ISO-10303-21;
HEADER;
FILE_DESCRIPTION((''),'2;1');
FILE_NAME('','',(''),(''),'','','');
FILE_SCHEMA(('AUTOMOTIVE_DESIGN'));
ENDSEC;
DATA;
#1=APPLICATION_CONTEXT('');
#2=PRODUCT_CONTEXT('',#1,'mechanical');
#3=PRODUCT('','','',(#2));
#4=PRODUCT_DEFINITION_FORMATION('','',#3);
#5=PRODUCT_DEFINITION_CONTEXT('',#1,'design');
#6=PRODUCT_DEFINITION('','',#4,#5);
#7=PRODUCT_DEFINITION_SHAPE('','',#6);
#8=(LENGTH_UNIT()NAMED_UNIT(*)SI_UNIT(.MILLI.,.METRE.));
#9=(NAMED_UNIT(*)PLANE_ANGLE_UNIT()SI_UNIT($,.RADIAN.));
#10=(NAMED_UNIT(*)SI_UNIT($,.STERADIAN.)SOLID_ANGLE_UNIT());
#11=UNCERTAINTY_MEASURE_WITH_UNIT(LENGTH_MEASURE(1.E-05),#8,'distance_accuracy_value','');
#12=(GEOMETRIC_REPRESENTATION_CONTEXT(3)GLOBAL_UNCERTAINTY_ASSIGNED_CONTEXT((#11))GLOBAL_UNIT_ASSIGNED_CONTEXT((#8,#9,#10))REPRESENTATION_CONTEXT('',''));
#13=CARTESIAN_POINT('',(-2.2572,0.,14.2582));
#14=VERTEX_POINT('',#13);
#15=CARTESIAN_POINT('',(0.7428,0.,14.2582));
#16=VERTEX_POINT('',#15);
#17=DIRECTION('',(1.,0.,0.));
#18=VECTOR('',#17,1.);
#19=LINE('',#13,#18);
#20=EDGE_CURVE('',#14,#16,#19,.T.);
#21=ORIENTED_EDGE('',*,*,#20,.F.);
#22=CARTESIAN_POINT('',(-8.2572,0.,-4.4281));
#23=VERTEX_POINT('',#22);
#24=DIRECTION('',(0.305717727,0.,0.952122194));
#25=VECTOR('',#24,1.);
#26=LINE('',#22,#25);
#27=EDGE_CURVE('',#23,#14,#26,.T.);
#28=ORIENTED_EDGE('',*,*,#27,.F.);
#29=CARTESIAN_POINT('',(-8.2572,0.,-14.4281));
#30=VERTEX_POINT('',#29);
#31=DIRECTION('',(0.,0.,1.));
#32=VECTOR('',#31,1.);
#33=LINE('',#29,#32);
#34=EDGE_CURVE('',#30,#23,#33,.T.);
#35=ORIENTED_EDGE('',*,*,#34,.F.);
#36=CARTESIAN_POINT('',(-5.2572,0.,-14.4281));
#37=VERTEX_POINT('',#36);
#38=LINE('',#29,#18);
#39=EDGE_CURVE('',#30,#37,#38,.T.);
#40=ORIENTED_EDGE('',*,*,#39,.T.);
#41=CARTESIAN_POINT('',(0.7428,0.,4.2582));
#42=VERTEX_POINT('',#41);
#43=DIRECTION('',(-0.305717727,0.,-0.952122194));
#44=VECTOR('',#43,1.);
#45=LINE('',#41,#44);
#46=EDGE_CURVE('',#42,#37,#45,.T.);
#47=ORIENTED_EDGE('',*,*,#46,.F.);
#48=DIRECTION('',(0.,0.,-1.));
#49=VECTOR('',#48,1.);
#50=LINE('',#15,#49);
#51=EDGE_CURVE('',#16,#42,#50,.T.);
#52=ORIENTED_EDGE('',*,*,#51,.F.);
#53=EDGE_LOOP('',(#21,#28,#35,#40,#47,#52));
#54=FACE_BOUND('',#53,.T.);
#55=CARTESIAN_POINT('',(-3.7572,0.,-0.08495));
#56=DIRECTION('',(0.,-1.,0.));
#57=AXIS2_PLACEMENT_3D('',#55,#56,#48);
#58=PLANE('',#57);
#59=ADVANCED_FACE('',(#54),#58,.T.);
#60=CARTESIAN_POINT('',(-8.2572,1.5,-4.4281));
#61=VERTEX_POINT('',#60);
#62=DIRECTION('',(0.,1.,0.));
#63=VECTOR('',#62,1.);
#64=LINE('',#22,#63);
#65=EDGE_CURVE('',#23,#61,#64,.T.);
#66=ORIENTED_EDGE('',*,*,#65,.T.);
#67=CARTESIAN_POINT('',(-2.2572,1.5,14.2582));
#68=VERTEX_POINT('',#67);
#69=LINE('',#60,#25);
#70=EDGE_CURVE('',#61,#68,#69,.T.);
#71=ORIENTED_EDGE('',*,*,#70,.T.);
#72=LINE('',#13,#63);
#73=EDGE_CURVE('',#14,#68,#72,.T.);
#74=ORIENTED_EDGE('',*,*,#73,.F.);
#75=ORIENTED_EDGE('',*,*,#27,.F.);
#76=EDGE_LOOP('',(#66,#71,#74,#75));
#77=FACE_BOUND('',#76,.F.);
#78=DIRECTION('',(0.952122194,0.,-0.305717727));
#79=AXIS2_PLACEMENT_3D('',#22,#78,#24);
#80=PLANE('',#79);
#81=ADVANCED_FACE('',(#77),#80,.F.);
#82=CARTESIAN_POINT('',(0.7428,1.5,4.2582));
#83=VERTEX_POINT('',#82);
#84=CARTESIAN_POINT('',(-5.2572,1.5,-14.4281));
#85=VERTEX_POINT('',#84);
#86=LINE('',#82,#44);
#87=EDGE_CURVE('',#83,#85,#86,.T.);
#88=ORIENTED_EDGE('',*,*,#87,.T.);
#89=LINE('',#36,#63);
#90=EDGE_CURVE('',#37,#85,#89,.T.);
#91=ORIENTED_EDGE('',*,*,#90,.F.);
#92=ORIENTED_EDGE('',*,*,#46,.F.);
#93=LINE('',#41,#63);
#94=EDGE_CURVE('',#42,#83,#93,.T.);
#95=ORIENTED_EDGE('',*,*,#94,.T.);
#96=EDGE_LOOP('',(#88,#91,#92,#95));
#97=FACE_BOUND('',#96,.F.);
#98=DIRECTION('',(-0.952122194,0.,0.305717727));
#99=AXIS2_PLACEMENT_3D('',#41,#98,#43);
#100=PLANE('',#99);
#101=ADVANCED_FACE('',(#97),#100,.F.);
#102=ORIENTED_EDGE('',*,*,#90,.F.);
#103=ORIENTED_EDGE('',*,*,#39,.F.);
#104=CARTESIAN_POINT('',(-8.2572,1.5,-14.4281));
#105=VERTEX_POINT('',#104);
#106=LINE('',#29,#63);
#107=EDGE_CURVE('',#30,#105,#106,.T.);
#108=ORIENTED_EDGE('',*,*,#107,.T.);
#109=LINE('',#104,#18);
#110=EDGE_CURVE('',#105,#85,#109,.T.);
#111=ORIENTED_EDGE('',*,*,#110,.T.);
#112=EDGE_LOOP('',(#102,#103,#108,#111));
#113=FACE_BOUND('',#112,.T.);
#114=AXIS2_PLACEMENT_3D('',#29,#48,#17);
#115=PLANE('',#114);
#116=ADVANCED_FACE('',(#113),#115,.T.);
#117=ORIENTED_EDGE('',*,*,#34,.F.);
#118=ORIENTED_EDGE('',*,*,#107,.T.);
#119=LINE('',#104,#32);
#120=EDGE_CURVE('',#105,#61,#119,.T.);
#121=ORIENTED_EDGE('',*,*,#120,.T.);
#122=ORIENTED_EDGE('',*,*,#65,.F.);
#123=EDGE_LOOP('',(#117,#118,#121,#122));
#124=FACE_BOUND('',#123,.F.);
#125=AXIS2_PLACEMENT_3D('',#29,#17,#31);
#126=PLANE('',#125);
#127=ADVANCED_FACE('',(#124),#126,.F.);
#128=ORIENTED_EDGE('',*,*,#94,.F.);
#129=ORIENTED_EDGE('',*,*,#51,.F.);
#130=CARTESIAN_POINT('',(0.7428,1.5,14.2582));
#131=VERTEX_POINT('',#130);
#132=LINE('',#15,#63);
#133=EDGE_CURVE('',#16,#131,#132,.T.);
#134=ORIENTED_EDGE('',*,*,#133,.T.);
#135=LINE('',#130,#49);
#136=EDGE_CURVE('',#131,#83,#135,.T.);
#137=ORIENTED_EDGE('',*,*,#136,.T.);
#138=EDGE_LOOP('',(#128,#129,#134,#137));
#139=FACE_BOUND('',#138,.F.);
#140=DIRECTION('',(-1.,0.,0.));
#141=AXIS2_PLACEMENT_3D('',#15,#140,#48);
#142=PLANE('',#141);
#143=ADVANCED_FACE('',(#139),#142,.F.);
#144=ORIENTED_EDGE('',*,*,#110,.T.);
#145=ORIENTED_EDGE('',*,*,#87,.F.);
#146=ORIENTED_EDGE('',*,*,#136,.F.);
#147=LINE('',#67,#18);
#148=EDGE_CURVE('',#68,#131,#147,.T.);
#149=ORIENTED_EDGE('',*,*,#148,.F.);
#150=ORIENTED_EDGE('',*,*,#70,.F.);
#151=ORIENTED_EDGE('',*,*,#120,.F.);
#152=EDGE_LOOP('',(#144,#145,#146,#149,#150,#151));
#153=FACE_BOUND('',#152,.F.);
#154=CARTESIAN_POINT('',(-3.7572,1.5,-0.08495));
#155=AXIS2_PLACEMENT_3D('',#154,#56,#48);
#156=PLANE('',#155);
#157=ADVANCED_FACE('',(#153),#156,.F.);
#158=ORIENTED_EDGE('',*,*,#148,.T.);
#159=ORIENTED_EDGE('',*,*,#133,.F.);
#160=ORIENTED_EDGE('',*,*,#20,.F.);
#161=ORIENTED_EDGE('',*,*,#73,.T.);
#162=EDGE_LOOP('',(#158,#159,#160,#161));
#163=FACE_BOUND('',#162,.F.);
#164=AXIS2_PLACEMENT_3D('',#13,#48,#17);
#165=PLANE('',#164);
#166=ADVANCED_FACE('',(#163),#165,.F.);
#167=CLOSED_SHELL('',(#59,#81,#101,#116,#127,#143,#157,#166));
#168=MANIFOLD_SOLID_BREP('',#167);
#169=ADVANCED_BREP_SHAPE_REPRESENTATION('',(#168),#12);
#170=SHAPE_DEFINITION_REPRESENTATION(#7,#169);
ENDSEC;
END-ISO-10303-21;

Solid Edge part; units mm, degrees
sketch "Sketch1" plane through (0, 0, 0) normal (0, -1, 0) x (1, 0, 0)
  line L0 (-8.2572, -14.4281) -> (-5.2572, -14.4281)
  line L1 (0.7428, 4.2582) -> (-5.2572, -14.4281)
  line L2 (0.7428, 14.2582) -> (0.7428, 4.2582)
  line L3 (-2.2572, 14.2582) -> (0.7428, 14.2582)
  line L4 (-8.2572, -4.4281) -> (-2.2572, 14.2582)
  line L5 (-8.2572, -14.4281) -> (-8.2572, -4.4281)
  dimension "D1" = 2
  dimension "D2" = 2
  dimension "D3" = 2
  dimension "D4" = 10
extrude "Protrusion1" add sketch "Sketch1" against normal blind 1.5
